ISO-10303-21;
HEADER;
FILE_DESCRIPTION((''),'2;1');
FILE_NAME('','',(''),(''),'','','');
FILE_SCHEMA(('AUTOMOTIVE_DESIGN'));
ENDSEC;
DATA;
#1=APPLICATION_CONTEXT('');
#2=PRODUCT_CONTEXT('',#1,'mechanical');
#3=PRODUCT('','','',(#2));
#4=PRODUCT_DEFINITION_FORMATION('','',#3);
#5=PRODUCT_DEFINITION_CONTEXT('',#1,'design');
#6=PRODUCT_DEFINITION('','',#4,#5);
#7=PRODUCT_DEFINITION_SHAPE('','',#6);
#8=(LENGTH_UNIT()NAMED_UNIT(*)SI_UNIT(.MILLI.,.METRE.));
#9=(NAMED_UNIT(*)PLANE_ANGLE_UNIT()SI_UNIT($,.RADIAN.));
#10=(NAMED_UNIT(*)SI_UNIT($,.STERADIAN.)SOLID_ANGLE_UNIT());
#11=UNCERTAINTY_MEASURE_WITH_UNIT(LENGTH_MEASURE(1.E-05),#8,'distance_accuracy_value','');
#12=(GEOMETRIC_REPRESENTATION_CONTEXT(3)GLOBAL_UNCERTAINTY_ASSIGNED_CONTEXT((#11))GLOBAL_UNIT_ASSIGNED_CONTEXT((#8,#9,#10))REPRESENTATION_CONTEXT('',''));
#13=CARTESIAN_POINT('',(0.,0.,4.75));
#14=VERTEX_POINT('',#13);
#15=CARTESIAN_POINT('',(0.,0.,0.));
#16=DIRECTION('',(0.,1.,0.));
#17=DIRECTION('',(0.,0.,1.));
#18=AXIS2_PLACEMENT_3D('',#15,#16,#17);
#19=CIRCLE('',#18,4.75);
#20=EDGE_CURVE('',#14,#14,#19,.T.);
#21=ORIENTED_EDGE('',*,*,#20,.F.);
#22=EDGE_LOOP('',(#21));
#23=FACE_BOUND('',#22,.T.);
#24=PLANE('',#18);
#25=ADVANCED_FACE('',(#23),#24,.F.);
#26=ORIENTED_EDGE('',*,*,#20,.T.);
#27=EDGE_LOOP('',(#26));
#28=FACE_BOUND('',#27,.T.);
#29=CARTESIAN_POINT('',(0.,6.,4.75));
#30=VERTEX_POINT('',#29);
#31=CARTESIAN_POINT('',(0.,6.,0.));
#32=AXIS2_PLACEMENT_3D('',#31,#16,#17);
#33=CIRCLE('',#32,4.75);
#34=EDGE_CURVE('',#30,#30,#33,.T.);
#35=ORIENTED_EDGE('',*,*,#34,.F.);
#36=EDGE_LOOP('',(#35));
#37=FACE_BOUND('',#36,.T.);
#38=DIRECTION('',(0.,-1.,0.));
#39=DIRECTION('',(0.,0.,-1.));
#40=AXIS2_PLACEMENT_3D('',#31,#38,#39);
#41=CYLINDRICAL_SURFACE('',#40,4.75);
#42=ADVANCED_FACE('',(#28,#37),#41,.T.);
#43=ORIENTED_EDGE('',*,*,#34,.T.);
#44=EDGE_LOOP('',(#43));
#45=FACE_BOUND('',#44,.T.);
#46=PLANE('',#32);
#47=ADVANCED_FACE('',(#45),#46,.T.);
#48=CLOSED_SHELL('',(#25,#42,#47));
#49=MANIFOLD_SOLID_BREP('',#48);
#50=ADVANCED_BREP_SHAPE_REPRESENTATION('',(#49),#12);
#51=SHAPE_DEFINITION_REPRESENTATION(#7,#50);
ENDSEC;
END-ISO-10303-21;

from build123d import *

# Parameters (mm, degrees)
SKETCH1_R           = 4.75
BOSS_EXTRUDE1_DEPTH = 6


with BuildPart() as part:
    # Sketch1 → Boss-Extrude1 (new body)
    with BuildSketch(Plane(origin=(0, 0, 0), x_dir=(1, 0, 0), z_dir=(0, 1, 0))):
        with Locations(Location((0, 0, 0), (0, 0, 270))):
            Circle(SKETCH1_R)
    extrude(amount=BOSS_EXTRUDE1_DEPTH)


solid = part.part
